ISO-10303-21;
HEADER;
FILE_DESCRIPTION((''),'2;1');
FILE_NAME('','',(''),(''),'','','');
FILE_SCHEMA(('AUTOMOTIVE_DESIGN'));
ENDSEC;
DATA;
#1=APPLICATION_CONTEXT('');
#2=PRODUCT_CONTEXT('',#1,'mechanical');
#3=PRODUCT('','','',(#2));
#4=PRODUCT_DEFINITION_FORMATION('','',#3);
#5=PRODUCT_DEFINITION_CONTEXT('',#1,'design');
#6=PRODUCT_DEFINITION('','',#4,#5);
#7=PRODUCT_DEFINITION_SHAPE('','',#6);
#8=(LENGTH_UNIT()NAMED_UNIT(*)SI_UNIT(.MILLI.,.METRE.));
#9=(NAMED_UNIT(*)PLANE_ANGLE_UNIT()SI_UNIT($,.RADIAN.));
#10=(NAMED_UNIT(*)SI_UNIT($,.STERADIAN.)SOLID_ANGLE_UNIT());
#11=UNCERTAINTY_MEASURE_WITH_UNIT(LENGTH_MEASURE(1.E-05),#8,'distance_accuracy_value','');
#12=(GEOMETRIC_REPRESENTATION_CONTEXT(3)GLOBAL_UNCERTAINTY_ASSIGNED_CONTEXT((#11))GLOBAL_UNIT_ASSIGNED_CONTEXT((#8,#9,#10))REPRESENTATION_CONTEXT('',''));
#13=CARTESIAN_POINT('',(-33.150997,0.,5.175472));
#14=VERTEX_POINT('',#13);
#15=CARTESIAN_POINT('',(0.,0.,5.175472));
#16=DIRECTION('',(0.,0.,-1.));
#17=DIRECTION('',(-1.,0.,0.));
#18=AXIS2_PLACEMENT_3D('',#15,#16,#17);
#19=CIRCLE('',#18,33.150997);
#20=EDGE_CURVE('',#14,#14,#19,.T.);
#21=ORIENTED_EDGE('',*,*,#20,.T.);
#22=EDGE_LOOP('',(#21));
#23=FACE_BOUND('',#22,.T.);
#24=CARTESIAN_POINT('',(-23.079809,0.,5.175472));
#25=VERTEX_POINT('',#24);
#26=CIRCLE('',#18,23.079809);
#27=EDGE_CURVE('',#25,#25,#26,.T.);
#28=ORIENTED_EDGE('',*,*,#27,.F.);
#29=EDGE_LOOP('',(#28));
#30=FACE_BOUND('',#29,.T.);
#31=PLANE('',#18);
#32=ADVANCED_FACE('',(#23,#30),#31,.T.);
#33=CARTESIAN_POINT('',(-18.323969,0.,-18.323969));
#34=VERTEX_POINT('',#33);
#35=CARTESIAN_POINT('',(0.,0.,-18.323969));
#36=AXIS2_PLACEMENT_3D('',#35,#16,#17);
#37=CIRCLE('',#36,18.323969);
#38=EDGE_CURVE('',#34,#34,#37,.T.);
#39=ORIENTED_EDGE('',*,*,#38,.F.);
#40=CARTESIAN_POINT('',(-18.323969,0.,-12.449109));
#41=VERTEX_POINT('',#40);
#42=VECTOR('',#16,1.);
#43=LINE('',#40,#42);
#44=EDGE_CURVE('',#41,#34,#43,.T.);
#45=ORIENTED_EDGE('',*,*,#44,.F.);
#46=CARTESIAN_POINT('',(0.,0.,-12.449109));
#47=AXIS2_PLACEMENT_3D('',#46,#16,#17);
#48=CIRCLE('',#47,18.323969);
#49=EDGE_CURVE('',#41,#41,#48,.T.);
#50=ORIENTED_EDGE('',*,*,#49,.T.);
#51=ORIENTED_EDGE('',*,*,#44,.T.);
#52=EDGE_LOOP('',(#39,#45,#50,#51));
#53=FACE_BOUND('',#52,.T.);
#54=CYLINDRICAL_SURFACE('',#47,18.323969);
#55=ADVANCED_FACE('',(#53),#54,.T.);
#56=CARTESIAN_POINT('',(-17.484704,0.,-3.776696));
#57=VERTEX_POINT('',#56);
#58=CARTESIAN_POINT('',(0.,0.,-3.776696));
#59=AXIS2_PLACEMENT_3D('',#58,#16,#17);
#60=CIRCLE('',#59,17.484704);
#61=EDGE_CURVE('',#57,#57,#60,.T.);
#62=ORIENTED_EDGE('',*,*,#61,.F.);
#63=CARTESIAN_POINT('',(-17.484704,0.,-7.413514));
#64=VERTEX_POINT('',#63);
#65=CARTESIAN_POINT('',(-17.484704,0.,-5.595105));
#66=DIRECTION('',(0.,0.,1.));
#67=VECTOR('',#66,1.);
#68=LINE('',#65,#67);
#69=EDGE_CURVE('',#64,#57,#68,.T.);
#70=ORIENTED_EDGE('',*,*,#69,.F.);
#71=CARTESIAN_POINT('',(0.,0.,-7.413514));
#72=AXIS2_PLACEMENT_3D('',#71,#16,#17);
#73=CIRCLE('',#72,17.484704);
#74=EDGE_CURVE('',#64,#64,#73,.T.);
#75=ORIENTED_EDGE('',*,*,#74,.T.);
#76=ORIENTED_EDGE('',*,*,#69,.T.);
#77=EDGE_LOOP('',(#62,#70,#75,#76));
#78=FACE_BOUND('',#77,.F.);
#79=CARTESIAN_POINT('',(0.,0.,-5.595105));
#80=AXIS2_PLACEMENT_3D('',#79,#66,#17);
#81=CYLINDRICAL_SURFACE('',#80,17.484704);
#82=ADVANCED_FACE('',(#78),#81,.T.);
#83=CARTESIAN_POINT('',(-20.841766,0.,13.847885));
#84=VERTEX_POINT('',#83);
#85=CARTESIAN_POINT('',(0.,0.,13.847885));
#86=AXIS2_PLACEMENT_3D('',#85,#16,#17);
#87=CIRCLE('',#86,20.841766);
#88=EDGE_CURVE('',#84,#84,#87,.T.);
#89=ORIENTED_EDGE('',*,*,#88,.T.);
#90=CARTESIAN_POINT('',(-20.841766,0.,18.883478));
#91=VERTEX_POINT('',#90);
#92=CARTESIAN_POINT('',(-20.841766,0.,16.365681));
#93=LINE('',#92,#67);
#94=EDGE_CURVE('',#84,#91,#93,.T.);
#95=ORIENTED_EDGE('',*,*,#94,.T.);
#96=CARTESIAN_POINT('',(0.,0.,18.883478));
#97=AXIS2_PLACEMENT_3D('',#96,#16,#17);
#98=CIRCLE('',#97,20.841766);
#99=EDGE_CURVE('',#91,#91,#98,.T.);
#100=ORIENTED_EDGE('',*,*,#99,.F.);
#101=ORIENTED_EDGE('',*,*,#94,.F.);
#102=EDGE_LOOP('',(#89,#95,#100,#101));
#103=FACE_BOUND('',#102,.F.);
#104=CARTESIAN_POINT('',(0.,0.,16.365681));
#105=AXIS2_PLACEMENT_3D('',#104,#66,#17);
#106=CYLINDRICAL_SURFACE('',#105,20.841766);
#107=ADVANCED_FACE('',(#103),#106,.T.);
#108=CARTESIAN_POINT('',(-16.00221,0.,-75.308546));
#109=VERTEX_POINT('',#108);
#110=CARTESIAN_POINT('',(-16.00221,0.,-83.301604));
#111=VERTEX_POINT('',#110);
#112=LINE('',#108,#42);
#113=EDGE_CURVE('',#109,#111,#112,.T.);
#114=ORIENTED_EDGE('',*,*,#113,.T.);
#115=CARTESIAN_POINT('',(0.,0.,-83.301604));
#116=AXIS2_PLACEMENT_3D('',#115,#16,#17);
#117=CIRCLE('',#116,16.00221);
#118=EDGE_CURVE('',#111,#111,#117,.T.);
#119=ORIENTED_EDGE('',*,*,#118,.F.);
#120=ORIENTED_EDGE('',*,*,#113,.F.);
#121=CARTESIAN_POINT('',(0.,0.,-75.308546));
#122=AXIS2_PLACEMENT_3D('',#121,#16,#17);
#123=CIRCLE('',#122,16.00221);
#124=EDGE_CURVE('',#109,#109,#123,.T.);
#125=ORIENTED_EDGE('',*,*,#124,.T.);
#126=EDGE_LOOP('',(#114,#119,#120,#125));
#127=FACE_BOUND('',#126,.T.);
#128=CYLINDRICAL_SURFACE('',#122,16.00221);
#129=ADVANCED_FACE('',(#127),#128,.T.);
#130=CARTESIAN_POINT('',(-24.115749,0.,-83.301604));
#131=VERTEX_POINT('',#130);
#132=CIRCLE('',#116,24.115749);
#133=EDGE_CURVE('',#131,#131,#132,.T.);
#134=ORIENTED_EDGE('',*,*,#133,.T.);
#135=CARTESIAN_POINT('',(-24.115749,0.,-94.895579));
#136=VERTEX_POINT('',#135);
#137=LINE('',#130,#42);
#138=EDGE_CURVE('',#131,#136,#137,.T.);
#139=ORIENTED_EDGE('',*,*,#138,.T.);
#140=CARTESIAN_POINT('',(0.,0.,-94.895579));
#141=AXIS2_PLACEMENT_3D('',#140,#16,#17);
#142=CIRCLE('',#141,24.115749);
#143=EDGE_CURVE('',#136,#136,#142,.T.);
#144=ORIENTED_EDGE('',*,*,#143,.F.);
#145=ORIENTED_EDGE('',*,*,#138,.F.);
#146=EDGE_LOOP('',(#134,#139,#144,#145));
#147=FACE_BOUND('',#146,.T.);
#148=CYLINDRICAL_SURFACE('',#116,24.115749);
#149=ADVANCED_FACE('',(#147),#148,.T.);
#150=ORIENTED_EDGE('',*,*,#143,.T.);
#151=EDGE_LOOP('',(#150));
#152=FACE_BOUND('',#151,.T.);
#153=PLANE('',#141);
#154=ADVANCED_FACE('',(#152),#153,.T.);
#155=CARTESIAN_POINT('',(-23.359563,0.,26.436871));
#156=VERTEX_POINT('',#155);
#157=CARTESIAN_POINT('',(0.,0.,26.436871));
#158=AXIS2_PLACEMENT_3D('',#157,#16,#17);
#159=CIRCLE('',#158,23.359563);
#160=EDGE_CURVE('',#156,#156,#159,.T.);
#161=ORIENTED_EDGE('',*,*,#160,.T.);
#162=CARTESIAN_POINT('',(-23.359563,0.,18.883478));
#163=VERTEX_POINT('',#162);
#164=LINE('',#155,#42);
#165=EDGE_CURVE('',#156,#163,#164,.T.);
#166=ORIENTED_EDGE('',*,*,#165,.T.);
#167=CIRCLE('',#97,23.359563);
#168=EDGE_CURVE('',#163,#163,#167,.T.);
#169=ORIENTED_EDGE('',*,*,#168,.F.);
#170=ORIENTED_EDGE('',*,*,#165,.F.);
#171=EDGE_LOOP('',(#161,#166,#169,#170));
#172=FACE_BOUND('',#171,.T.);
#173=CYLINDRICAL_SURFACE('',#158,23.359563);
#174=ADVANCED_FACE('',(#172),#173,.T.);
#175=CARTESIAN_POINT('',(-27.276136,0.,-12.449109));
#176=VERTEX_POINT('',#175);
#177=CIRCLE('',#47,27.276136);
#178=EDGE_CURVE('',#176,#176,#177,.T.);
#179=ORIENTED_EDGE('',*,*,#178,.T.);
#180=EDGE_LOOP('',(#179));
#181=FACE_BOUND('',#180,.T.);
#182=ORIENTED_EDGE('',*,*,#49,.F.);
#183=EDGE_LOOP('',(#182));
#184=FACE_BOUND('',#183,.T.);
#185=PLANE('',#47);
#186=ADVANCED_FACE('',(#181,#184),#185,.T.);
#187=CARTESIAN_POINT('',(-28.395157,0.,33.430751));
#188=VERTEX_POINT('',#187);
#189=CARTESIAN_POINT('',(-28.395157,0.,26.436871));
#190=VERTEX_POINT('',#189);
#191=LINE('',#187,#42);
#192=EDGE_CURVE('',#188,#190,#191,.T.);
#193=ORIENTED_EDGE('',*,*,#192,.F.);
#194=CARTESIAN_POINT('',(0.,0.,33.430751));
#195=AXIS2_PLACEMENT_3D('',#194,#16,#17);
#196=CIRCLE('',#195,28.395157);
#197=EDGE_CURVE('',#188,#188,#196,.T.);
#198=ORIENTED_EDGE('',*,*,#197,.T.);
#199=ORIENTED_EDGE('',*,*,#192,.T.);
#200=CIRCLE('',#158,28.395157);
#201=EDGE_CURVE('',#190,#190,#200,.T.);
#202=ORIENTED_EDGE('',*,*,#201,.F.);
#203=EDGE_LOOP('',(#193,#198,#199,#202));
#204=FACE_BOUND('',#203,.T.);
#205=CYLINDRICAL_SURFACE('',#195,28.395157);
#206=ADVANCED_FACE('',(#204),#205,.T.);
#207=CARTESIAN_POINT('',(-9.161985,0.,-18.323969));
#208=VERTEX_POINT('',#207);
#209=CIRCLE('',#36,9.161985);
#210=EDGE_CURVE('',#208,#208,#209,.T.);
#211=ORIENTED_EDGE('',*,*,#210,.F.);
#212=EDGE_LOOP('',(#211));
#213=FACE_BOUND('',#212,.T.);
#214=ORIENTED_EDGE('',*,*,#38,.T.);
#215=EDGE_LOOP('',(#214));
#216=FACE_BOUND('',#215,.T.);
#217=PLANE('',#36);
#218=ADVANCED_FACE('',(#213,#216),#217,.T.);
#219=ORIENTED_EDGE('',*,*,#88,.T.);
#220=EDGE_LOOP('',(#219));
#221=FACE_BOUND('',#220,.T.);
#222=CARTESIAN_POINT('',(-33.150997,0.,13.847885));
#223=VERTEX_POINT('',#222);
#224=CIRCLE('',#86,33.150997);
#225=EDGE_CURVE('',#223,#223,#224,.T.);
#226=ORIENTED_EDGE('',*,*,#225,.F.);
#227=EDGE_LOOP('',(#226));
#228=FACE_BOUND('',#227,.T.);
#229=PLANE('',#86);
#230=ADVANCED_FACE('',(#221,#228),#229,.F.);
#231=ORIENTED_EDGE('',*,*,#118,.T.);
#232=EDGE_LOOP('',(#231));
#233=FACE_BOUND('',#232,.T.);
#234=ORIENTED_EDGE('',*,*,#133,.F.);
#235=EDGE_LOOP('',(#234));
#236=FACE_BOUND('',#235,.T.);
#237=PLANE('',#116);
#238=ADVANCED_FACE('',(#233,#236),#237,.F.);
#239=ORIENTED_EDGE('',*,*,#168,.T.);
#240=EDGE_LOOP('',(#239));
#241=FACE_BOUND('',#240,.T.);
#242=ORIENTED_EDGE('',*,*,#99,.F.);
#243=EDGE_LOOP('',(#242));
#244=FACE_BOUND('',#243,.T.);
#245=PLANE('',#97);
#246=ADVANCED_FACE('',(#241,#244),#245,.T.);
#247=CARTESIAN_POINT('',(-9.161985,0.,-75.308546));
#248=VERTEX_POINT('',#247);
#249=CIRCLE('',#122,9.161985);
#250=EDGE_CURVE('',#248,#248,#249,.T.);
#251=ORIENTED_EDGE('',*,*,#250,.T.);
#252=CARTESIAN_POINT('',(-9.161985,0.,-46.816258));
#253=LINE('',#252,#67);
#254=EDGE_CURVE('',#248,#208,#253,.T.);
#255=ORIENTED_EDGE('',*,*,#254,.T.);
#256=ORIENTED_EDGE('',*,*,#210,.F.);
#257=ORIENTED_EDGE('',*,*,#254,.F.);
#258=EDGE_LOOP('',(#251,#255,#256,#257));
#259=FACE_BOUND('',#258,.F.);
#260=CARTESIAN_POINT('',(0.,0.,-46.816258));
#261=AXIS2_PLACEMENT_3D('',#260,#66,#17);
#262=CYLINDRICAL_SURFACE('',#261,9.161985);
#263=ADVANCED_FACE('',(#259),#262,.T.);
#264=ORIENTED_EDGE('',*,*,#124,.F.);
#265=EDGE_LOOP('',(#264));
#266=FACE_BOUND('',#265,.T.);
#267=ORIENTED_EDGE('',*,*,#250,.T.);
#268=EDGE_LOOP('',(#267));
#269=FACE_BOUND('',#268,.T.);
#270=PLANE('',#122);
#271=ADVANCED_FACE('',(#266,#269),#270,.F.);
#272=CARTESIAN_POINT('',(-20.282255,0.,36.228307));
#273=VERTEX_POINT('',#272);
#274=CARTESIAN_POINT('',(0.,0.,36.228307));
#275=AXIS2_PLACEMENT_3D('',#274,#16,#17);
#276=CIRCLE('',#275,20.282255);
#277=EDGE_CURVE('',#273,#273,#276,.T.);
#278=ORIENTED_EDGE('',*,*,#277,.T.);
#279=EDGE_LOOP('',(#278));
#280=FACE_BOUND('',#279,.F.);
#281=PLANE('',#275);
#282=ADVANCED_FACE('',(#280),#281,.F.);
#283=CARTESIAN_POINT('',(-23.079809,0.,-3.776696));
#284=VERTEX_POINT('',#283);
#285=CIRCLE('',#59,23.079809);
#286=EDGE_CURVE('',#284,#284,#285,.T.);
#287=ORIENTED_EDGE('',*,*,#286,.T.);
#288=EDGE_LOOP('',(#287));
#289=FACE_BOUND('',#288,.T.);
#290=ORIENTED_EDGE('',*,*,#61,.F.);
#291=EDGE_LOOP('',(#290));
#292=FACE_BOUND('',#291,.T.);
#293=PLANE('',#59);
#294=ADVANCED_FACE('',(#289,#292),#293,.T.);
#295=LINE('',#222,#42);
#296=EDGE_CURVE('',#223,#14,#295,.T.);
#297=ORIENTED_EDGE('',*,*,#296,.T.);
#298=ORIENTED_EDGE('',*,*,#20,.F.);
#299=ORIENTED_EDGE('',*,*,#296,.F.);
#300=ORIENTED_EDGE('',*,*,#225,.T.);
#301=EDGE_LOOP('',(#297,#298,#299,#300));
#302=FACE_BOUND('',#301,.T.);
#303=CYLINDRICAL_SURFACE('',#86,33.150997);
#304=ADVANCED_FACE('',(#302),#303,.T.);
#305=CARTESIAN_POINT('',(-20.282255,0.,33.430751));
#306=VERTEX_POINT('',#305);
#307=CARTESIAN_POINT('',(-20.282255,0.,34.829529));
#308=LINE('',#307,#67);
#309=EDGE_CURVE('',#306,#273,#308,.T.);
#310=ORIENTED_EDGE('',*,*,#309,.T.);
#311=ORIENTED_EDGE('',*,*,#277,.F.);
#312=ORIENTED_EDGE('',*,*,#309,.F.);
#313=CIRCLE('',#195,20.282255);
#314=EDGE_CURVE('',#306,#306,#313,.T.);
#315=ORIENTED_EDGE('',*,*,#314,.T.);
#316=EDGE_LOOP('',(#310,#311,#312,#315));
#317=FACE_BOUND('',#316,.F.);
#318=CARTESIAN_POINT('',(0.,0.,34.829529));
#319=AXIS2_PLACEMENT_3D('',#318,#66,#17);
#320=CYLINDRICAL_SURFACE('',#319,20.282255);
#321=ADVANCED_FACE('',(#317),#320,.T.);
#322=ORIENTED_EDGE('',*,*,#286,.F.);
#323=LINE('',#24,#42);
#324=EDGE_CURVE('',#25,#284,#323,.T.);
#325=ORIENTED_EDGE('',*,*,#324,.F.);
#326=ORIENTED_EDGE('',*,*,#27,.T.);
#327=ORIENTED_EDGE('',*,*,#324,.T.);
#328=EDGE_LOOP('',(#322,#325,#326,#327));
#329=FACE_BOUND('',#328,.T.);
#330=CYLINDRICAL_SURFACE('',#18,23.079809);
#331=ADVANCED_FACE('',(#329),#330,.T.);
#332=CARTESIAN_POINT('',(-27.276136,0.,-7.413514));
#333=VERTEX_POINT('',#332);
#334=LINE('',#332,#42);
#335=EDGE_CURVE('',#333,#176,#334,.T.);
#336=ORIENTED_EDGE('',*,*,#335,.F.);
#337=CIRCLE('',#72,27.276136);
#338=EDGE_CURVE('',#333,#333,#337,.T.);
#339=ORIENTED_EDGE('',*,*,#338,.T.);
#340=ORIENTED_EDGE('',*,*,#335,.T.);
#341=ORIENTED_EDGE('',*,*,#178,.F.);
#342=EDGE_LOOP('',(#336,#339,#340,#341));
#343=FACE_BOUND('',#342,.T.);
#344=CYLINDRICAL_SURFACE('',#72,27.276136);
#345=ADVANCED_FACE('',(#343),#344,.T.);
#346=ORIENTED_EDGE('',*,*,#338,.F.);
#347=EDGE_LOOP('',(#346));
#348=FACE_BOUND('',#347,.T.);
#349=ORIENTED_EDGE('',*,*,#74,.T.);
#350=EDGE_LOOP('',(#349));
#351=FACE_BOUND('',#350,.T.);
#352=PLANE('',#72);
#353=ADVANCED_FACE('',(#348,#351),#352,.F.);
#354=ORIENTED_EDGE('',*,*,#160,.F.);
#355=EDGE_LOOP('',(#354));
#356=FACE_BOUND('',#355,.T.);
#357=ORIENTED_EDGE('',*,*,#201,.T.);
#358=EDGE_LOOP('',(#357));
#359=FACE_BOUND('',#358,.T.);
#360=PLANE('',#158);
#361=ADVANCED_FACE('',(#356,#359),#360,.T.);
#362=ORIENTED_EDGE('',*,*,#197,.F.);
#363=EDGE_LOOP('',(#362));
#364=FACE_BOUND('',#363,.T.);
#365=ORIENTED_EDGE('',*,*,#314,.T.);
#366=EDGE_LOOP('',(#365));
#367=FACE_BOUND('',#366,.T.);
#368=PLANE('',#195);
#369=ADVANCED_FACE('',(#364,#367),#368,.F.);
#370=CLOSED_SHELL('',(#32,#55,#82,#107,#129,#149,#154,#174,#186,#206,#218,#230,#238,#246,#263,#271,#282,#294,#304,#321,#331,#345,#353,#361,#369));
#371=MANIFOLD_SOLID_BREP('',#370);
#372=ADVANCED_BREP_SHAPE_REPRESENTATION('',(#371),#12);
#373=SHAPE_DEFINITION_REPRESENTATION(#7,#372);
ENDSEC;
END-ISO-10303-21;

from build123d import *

# Parameters (mm, degrees)
F0_W   = 20.2822554857
F0_H   = 2.7975551784
F0_W_2 = 20.8417661488
F0_H_2 = 5.0355931744
F0_W_3 = 17.4847040325
F0_H_3 = 3.6368181463
F0_W_4 = 9.161984548
F0_H_4 = 56.984577328


with BuildPart() as f1:
    # F0 (on Front) → F1 (revolve)
    with BuildSketch(Plane.XZ):
        with Locations((-10.1411277428, 34.8295290023)):
            Rectangle(F0_W, F0_H)
        Polygon((0, 26.4368709177), (0, 33.4307514131), (-20.2822554857, 33.4307514131), (-28.3951573074, 33.4307514131), (-28.3951573074, 26.4368709177), (-23.3595632017, 26.4368709177), align=None)
        Polygon((0, 18.8834778965), (0, 26.4368709177), (-23.3595632017, 26.4368709177), (-23.3595632017, 18.8834778965), (-20.8417661488, 18.8834778965), align=None)
        with Locations((-10.4208830744, 16.3656813093)):
            Rectangle(F0_W_2, F0_H_2)
        Polygon((0, 5.1754722372), (0, 13.8478847221), (-20.8417661488, 13.8478847221), (-33.1509970129, 13.8478847221), (-33.1509970129, 5.1754722372), (-23.0798088014, 5.1754722372), align=None)
        Polygon((0, -3.7766958121), (0, 5.1754722372), (-23.0798088014, 5.1754722372), (-23.0798088014, -3.7766958121), (-17.4847040325, -3.7766958121), align=None)
        with Locations((-8.7423520163, -5.5951048853)):
            Rectangle(F0_W_3, F0_H_3)
        Polygon((0, -12.4491089955), (0, -7.4135139585), (-17.4847040325, -7.4135139585), (-27.2761359811, -7.4135139585), (-27.2761359811, -12.4491089955), (-18.3239690959, -12.4491089955), align=None)
        Polygon((0, -18.3239690959), (0, -12.4491089955), (-18.3239690959, -12.4491089955), (-18.3239690959, -18.3239690959), (-9.161984548, -18.3239690959), align=None)
        with Locations((-4.580992274, -46.8162577599)):
            Rectangle(F0_W_4, F0_H_4)
        Polygon((0, -83.3016037941), (0, -75.3085464239), (-9.161984548, -75.3085464239), (-16.0022098571, -75.3085464239), (-16.0022098571, -83.3016037941), align=None)
        Polygon((0, -94.8955789208), (0, -83.3016037941), (-16.0022098571, -83.3016037941), (-24.1157487035, -83.3016037941), (-24.1157487035, -94.8955789208), align=None)
    revolve(axis=Axis((0, 0, -46.8162577599), (0, 0, -1)))


solid = f1.part
